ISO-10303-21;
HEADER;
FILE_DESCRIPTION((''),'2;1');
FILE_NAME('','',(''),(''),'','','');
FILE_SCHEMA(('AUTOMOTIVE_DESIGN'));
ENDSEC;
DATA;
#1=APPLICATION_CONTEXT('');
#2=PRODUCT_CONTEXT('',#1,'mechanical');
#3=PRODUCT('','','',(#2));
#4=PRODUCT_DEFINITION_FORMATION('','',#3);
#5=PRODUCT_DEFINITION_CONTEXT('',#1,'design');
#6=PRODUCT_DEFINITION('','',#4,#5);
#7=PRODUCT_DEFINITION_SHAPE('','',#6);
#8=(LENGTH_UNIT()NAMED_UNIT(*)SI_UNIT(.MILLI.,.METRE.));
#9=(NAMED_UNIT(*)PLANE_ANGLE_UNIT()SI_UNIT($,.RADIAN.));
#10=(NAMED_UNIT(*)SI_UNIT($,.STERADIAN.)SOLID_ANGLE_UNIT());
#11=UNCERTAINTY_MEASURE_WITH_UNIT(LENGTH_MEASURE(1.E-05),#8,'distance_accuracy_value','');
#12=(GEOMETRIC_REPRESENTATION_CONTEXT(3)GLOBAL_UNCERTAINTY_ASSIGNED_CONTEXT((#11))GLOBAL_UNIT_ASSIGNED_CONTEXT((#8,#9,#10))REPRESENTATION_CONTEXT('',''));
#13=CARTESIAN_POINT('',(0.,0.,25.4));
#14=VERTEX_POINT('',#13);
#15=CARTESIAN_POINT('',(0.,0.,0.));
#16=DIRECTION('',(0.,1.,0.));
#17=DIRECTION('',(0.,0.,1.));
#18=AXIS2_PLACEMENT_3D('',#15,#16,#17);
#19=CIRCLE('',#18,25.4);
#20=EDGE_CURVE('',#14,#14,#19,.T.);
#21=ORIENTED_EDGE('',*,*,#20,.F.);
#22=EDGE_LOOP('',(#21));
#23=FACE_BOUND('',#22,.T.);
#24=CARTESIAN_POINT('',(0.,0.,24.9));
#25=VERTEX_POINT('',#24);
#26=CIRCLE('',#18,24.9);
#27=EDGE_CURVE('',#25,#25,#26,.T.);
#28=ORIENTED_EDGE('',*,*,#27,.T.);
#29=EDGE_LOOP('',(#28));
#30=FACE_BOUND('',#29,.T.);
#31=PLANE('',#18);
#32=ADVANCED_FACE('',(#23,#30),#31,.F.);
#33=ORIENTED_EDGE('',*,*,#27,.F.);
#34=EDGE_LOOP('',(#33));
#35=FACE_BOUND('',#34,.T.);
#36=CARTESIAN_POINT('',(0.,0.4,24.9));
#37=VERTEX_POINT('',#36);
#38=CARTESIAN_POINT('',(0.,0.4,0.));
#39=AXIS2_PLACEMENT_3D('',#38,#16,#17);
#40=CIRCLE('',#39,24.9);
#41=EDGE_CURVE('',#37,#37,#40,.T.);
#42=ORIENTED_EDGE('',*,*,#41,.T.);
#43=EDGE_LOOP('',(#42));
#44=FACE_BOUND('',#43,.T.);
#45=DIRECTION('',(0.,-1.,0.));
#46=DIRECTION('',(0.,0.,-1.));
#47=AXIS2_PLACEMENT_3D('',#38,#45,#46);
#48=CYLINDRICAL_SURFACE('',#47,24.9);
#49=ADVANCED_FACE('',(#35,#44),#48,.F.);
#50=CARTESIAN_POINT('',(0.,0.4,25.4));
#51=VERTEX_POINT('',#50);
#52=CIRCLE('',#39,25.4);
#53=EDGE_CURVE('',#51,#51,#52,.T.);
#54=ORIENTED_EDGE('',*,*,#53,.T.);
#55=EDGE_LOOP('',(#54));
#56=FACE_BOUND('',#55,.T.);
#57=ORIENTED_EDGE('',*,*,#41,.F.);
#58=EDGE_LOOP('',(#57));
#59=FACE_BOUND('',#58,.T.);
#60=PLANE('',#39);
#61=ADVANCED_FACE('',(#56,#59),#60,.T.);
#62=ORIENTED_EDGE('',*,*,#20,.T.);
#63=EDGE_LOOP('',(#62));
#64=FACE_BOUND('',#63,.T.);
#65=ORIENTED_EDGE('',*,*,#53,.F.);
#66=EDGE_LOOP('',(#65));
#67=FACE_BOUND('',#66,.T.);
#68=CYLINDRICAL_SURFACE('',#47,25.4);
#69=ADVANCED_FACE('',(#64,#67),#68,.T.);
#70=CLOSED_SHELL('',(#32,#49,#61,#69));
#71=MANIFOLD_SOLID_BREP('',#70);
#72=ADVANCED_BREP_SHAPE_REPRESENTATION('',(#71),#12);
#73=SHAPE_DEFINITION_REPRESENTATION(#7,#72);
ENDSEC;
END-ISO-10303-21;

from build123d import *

# Parameters (mm, degrees)
SKETCH1_R           = 25.4
SKETCH1_R_2         = 24.9
BOSS_EXTRUDE1_DEPTH = 0.4


with BuildPart() as part:
    # Sketch1 → Boss-Extrude1 (new body)
    with BuildSketch(Plane(origin=(0, 0, 0), x_dir=(1, 0, 0), z_dir=(0, 1, 0))):
        Circle(SKETCH1_R)
        Circle(SKETCH1_R_2, mode=Mode.SUBTRACT)
    extrude(amount=BOSS_EXTRUDE1_DEPTH)


solid = part.part
